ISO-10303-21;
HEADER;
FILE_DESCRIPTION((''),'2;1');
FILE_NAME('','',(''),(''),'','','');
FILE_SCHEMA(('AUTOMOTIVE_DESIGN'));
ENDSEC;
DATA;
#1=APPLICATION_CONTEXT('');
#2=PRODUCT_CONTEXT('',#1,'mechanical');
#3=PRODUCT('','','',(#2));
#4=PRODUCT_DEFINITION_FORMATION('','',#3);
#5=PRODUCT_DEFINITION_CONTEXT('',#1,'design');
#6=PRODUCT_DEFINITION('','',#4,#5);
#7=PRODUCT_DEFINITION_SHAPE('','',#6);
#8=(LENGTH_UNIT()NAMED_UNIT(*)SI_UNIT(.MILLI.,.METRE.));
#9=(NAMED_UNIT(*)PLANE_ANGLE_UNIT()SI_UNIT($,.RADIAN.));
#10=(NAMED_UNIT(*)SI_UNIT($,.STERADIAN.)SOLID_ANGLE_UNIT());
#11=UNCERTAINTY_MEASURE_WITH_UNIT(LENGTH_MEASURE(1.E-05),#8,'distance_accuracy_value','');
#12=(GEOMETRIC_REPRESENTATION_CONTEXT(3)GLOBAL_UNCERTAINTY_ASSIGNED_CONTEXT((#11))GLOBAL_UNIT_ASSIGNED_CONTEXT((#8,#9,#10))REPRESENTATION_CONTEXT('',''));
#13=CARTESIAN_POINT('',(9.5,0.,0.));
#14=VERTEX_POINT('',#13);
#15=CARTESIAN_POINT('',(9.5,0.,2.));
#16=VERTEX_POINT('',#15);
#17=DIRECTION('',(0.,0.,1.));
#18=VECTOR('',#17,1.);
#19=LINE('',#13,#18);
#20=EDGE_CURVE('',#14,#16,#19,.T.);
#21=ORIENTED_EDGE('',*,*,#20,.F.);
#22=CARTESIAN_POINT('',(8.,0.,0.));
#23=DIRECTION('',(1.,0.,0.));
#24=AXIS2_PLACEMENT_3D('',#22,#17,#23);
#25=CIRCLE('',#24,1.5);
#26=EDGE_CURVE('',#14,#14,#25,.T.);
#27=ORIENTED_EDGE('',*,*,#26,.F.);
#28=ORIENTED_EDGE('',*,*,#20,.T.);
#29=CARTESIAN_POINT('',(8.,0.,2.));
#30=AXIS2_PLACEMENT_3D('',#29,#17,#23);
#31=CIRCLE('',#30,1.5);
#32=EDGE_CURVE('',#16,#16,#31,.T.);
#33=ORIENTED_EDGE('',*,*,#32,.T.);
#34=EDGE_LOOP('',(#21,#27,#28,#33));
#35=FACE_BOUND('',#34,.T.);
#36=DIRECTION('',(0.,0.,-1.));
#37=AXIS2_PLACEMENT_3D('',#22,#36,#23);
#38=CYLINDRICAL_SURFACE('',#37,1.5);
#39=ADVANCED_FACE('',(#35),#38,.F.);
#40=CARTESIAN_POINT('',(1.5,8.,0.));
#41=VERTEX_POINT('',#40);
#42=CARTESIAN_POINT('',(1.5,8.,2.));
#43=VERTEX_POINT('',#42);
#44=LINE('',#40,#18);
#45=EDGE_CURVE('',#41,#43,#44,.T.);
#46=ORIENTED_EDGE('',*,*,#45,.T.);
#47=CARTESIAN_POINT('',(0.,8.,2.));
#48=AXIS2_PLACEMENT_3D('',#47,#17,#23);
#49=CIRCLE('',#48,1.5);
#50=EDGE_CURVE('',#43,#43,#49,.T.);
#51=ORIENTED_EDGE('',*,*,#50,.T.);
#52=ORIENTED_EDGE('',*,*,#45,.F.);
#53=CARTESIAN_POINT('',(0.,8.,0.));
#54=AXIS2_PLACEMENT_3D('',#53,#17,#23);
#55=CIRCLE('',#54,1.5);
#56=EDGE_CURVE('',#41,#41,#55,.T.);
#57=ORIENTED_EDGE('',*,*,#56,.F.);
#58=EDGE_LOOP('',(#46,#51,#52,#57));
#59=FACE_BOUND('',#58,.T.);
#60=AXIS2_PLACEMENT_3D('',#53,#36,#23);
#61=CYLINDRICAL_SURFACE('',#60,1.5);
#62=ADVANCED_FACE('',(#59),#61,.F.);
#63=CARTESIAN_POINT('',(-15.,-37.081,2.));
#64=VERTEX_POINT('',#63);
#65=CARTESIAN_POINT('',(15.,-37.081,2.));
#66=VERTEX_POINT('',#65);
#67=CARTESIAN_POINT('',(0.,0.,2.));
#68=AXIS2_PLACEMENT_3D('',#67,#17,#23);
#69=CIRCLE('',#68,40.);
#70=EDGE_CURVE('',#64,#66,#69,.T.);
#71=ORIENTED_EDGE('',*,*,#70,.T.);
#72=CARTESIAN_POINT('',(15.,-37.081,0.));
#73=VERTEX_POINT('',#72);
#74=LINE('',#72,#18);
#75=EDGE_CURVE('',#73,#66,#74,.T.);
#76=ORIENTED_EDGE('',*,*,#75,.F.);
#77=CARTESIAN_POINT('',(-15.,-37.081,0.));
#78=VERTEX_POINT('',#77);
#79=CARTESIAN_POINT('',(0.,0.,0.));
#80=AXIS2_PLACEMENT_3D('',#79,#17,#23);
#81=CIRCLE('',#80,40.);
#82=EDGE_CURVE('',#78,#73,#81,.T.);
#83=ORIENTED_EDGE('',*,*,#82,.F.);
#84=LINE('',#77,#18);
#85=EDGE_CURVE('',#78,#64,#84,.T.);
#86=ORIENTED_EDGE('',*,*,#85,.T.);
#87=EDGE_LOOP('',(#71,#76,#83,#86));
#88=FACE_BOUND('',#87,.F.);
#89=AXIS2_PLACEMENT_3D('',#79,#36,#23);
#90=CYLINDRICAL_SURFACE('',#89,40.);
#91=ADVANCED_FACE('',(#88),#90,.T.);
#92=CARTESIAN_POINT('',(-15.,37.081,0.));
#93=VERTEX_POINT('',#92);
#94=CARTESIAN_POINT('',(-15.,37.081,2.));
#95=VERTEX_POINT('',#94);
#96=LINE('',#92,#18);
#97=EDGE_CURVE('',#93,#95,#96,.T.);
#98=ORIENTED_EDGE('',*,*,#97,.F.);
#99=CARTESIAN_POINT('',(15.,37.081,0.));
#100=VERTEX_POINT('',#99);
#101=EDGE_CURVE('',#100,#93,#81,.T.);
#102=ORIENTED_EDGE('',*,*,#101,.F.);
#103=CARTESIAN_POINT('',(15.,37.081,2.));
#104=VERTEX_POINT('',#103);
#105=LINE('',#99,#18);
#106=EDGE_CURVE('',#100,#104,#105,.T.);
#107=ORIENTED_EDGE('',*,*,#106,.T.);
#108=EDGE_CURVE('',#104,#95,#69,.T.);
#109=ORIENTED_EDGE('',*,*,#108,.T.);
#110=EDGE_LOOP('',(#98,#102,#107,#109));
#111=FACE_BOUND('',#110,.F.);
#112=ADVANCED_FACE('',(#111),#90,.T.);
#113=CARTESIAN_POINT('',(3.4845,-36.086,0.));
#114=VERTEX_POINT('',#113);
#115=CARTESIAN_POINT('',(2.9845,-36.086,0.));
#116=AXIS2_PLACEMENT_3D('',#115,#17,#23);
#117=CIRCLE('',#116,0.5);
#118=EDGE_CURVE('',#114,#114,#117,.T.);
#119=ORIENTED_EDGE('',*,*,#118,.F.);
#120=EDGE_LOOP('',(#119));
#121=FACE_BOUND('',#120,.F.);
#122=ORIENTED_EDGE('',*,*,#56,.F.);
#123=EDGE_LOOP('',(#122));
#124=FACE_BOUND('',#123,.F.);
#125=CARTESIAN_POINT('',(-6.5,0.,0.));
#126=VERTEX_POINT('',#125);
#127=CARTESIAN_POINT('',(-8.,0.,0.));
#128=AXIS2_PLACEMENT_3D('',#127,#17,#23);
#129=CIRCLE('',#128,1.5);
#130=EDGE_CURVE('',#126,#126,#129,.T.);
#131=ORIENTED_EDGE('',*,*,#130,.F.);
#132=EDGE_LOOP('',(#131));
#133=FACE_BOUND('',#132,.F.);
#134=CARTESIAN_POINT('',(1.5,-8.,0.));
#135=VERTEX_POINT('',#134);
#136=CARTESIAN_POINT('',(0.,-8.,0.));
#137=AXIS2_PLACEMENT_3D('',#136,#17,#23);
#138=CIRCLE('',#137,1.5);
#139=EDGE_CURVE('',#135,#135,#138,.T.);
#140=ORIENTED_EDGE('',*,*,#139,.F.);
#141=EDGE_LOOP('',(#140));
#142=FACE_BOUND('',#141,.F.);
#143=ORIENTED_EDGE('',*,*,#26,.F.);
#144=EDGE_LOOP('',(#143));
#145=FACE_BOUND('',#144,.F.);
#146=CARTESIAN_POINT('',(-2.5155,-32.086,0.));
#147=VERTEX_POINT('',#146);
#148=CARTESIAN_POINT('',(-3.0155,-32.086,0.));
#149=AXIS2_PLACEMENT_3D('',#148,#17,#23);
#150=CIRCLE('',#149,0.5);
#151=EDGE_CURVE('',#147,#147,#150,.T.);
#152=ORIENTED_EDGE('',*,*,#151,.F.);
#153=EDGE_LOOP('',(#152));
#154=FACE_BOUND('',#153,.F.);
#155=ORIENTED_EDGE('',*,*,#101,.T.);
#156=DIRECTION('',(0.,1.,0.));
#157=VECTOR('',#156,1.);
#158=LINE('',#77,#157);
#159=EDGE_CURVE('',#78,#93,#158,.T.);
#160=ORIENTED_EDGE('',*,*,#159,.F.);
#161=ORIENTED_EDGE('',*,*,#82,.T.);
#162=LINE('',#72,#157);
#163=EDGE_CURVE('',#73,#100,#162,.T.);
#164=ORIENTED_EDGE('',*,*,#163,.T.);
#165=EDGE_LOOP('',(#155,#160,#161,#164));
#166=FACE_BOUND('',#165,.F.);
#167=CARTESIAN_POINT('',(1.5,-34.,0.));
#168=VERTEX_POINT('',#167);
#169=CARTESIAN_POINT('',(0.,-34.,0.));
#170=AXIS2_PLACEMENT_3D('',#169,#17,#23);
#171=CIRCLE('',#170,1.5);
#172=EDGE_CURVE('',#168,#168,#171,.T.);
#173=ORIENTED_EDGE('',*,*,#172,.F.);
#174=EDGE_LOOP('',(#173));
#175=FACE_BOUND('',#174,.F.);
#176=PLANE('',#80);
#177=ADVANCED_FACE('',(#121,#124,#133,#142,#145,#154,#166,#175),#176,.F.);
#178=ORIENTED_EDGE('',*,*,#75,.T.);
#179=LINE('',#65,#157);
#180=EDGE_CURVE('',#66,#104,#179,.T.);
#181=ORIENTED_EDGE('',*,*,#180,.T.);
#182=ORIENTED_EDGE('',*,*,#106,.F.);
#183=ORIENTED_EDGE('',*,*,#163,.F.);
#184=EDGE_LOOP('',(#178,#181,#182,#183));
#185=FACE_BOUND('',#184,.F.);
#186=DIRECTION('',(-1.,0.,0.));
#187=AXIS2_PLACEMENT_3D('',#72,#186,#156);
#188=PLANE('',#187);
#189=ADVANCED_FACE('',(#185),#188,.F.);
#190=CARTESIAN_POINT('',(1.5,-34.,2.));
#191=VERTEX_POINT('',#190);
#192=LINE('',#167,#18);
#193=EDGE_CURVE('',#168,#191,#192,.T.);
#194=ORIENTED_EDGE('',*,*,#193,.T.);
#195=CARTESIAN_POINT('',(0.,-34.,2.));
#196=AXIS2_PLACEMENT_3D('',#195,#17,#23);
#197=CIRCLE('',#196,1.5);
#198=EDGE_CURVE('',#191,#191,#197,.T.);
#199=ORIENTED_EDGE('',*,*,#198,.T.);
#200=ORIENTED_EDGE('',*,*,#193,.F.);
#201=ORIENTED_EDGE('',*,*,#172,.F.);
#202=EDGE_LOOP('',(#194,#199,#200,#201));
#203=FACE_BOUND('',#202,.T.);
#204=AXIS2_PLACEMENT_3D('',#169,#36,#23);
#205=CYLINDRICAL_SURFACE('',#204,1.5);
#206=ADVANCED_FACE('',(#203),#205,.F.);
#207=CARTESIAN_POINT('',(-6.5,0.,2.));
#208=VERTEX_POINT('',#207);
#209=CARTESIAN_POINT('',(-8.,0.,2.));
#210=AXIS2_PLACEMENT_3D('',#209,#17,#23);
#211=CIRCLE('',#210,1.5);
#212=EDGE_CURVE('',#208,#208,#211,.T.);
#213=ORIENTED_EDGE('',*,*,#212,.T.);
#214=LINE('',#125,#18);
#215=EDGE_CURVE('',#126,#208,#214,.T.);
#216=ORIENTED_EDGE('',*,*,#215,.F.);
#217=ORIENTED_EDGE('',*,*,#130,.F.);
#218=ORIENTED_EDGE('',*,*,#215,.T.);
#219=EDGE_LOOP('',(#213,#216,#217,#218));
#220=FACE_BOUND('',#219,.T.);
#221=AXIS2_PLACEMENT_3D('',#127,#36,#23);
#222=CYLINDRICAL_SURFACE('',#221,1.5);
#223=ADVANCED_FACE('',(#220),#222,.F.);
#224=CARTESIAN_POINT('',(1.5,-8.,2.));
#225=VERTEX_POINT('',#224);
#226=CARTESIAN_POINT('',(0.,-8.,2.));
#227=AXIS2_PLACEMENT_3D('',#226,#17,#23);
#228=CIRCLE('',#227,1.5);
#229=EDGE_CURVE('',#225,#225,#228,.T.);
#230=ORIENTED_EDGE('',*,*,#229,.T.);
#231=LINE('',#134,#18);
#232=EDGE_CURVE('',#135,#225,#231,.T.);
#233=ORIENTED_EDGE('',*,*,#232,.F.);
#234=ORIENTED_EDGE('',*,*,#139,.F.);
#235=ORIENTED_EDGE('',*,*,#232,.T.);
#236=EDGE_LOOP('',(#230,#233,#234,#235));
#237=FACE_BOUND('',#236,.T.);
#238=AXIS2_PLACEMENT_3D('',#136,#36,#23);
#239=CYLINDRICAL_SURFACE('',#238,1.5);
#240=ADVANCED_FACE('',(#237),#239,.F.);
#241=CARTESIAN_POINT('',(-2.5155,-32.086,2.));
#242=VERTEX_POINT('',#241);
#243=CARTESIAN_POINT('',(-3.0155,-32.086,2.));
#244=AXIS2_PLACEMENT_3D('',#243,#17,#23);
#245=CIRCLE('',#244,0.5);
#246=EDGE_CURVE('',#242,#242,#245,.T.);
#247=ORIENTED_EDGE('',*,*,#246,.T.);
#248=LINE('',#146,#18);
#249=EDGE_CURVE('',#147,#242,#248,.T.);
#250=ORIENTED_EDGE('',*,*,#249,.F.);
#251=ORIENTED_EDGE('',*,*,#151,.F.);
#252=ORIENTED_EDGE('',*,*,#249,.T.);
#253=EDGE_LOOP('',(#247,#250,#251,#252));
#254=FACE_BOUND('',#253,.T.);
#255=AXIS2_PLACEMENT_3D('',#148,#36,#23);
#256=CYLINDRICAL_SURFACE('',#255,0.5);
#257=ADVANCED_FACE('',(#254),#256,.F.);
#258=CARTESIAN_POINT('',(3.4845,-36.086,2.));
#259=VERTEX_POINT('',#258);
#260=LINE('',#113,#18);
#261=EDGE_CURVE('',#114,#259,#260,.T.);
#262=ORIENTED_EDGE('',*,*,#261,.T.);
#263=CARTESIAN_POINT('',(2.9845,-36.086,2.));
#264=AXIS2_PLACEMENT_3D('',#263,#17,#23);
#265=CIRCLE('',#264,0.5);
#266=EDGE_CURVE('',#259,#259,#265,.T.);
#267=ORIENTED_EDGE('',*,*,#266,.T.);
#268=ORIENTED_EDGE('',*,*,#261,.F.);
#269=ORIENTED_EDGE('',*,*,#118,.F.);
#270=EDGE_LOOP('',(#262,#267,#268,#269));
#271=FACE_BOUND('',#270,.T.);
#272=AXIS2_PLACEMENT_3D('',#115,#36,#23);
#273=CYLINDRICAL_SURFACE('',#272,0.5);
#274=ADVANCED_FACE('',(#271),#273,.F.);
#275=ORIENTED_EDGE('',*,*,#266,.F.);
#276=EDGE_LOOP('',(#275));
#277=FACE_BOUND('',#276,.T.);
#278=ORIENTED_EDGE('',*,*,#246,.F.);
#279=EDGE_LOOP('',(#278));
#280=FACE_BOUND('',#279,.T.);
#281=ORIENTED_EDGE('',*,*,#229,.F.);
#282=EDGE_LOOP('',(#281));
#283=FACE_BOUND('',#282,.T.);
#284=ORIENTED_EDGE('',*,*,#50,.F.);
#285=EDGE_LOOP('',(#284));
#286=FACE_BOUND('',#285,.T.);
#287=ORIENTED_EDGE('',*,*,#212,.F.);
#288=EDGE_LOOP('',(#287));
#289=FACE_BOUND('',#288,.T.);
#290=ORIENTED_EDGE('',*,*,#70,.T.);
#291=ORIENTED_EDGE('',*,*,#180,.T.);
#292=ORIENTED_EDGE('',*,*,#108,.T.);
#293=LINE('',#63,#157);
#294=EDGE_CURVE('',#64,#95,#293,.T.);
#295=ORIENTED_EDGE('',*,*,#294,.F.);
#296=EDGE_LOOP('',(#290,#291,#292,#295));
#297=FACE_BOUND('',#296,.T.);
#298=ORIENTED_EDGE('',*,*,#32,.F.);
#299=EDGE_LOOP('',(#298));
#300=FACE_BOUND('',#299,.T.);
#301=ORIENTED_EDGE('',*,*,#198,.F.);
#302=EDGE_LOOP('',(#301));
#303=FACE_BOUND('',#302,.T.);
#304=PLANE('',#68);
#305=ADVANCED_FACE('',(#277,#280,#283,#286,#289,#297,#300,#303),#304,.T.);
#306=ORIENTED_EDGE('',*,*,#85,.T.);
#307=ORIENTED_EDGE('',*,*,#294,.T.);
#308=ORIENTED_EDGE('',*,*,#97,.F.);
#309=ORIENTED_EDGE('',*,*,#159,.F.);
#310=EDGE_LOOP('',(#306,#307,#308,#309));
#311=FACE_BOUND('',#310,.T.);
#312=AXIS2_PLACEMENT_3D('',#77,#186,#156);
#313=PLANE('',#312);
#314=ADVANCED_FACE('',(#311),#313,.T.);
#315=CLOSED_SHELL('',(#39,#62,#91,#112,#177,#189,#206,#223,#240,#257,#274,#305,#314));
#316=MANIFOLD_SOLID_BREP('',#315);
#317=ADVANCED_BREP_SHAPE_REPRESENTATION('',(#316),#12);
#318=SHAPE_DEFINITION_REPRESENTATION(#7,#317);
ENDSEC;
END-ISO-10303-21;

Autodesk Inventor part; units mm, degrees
ref_plane "YZ Plane" through (0, 0, 0) normal (1, 0, 0) x (0, 1, 0)
ref_plane "XZ Plane" through (0, 0, 0) normal (0, 1, 0) x (-1, 0, 0)
ref_plane "XY Plane" through (0, 0, 0) normal (0, 0, 1) x (1, 0, 0)
sketch "Sketch1" plane through (0, 0, 0) normal (0, 0, 1) x (1, 0, 0)
  circle A0 centre (0, 0) radius 40
  circle A1 centre (0, -8) radius 1.5
  circle A2 centre (8, 0) radius 1.5
  circle A3 centre (0, 8) radius 1.5
  circle A4 centre (-8, 0) radius 1.5
  circle A5 centre (0, -34) radius 1.5
  circle A6 centre (-3.0155, -32.086) radius 0.5 projected
  circle A7 centre (2.9845, -36.086) radius 0.5 projected
  line L0 (-15, -37.081) -> (-15, 37.081)
  line L1 (15, -37.081) -> (15, 37.081)
  dimension "d0" = 80
  dimension "d1" = 8
  dimension "d2" = 3
  dimension "d5" = 360
  dimension "d9" = 3
  dimension "d10" = 34
  dimension "d11" = 15
  dimension "d12" = 15
extrude "Extrusion1" add sketch "Sketch1" along normal blind 2 contours L1 A0 L0
equation "\"d12\" = d11"
properties part number "z roto base" material "Steel, Mild"
